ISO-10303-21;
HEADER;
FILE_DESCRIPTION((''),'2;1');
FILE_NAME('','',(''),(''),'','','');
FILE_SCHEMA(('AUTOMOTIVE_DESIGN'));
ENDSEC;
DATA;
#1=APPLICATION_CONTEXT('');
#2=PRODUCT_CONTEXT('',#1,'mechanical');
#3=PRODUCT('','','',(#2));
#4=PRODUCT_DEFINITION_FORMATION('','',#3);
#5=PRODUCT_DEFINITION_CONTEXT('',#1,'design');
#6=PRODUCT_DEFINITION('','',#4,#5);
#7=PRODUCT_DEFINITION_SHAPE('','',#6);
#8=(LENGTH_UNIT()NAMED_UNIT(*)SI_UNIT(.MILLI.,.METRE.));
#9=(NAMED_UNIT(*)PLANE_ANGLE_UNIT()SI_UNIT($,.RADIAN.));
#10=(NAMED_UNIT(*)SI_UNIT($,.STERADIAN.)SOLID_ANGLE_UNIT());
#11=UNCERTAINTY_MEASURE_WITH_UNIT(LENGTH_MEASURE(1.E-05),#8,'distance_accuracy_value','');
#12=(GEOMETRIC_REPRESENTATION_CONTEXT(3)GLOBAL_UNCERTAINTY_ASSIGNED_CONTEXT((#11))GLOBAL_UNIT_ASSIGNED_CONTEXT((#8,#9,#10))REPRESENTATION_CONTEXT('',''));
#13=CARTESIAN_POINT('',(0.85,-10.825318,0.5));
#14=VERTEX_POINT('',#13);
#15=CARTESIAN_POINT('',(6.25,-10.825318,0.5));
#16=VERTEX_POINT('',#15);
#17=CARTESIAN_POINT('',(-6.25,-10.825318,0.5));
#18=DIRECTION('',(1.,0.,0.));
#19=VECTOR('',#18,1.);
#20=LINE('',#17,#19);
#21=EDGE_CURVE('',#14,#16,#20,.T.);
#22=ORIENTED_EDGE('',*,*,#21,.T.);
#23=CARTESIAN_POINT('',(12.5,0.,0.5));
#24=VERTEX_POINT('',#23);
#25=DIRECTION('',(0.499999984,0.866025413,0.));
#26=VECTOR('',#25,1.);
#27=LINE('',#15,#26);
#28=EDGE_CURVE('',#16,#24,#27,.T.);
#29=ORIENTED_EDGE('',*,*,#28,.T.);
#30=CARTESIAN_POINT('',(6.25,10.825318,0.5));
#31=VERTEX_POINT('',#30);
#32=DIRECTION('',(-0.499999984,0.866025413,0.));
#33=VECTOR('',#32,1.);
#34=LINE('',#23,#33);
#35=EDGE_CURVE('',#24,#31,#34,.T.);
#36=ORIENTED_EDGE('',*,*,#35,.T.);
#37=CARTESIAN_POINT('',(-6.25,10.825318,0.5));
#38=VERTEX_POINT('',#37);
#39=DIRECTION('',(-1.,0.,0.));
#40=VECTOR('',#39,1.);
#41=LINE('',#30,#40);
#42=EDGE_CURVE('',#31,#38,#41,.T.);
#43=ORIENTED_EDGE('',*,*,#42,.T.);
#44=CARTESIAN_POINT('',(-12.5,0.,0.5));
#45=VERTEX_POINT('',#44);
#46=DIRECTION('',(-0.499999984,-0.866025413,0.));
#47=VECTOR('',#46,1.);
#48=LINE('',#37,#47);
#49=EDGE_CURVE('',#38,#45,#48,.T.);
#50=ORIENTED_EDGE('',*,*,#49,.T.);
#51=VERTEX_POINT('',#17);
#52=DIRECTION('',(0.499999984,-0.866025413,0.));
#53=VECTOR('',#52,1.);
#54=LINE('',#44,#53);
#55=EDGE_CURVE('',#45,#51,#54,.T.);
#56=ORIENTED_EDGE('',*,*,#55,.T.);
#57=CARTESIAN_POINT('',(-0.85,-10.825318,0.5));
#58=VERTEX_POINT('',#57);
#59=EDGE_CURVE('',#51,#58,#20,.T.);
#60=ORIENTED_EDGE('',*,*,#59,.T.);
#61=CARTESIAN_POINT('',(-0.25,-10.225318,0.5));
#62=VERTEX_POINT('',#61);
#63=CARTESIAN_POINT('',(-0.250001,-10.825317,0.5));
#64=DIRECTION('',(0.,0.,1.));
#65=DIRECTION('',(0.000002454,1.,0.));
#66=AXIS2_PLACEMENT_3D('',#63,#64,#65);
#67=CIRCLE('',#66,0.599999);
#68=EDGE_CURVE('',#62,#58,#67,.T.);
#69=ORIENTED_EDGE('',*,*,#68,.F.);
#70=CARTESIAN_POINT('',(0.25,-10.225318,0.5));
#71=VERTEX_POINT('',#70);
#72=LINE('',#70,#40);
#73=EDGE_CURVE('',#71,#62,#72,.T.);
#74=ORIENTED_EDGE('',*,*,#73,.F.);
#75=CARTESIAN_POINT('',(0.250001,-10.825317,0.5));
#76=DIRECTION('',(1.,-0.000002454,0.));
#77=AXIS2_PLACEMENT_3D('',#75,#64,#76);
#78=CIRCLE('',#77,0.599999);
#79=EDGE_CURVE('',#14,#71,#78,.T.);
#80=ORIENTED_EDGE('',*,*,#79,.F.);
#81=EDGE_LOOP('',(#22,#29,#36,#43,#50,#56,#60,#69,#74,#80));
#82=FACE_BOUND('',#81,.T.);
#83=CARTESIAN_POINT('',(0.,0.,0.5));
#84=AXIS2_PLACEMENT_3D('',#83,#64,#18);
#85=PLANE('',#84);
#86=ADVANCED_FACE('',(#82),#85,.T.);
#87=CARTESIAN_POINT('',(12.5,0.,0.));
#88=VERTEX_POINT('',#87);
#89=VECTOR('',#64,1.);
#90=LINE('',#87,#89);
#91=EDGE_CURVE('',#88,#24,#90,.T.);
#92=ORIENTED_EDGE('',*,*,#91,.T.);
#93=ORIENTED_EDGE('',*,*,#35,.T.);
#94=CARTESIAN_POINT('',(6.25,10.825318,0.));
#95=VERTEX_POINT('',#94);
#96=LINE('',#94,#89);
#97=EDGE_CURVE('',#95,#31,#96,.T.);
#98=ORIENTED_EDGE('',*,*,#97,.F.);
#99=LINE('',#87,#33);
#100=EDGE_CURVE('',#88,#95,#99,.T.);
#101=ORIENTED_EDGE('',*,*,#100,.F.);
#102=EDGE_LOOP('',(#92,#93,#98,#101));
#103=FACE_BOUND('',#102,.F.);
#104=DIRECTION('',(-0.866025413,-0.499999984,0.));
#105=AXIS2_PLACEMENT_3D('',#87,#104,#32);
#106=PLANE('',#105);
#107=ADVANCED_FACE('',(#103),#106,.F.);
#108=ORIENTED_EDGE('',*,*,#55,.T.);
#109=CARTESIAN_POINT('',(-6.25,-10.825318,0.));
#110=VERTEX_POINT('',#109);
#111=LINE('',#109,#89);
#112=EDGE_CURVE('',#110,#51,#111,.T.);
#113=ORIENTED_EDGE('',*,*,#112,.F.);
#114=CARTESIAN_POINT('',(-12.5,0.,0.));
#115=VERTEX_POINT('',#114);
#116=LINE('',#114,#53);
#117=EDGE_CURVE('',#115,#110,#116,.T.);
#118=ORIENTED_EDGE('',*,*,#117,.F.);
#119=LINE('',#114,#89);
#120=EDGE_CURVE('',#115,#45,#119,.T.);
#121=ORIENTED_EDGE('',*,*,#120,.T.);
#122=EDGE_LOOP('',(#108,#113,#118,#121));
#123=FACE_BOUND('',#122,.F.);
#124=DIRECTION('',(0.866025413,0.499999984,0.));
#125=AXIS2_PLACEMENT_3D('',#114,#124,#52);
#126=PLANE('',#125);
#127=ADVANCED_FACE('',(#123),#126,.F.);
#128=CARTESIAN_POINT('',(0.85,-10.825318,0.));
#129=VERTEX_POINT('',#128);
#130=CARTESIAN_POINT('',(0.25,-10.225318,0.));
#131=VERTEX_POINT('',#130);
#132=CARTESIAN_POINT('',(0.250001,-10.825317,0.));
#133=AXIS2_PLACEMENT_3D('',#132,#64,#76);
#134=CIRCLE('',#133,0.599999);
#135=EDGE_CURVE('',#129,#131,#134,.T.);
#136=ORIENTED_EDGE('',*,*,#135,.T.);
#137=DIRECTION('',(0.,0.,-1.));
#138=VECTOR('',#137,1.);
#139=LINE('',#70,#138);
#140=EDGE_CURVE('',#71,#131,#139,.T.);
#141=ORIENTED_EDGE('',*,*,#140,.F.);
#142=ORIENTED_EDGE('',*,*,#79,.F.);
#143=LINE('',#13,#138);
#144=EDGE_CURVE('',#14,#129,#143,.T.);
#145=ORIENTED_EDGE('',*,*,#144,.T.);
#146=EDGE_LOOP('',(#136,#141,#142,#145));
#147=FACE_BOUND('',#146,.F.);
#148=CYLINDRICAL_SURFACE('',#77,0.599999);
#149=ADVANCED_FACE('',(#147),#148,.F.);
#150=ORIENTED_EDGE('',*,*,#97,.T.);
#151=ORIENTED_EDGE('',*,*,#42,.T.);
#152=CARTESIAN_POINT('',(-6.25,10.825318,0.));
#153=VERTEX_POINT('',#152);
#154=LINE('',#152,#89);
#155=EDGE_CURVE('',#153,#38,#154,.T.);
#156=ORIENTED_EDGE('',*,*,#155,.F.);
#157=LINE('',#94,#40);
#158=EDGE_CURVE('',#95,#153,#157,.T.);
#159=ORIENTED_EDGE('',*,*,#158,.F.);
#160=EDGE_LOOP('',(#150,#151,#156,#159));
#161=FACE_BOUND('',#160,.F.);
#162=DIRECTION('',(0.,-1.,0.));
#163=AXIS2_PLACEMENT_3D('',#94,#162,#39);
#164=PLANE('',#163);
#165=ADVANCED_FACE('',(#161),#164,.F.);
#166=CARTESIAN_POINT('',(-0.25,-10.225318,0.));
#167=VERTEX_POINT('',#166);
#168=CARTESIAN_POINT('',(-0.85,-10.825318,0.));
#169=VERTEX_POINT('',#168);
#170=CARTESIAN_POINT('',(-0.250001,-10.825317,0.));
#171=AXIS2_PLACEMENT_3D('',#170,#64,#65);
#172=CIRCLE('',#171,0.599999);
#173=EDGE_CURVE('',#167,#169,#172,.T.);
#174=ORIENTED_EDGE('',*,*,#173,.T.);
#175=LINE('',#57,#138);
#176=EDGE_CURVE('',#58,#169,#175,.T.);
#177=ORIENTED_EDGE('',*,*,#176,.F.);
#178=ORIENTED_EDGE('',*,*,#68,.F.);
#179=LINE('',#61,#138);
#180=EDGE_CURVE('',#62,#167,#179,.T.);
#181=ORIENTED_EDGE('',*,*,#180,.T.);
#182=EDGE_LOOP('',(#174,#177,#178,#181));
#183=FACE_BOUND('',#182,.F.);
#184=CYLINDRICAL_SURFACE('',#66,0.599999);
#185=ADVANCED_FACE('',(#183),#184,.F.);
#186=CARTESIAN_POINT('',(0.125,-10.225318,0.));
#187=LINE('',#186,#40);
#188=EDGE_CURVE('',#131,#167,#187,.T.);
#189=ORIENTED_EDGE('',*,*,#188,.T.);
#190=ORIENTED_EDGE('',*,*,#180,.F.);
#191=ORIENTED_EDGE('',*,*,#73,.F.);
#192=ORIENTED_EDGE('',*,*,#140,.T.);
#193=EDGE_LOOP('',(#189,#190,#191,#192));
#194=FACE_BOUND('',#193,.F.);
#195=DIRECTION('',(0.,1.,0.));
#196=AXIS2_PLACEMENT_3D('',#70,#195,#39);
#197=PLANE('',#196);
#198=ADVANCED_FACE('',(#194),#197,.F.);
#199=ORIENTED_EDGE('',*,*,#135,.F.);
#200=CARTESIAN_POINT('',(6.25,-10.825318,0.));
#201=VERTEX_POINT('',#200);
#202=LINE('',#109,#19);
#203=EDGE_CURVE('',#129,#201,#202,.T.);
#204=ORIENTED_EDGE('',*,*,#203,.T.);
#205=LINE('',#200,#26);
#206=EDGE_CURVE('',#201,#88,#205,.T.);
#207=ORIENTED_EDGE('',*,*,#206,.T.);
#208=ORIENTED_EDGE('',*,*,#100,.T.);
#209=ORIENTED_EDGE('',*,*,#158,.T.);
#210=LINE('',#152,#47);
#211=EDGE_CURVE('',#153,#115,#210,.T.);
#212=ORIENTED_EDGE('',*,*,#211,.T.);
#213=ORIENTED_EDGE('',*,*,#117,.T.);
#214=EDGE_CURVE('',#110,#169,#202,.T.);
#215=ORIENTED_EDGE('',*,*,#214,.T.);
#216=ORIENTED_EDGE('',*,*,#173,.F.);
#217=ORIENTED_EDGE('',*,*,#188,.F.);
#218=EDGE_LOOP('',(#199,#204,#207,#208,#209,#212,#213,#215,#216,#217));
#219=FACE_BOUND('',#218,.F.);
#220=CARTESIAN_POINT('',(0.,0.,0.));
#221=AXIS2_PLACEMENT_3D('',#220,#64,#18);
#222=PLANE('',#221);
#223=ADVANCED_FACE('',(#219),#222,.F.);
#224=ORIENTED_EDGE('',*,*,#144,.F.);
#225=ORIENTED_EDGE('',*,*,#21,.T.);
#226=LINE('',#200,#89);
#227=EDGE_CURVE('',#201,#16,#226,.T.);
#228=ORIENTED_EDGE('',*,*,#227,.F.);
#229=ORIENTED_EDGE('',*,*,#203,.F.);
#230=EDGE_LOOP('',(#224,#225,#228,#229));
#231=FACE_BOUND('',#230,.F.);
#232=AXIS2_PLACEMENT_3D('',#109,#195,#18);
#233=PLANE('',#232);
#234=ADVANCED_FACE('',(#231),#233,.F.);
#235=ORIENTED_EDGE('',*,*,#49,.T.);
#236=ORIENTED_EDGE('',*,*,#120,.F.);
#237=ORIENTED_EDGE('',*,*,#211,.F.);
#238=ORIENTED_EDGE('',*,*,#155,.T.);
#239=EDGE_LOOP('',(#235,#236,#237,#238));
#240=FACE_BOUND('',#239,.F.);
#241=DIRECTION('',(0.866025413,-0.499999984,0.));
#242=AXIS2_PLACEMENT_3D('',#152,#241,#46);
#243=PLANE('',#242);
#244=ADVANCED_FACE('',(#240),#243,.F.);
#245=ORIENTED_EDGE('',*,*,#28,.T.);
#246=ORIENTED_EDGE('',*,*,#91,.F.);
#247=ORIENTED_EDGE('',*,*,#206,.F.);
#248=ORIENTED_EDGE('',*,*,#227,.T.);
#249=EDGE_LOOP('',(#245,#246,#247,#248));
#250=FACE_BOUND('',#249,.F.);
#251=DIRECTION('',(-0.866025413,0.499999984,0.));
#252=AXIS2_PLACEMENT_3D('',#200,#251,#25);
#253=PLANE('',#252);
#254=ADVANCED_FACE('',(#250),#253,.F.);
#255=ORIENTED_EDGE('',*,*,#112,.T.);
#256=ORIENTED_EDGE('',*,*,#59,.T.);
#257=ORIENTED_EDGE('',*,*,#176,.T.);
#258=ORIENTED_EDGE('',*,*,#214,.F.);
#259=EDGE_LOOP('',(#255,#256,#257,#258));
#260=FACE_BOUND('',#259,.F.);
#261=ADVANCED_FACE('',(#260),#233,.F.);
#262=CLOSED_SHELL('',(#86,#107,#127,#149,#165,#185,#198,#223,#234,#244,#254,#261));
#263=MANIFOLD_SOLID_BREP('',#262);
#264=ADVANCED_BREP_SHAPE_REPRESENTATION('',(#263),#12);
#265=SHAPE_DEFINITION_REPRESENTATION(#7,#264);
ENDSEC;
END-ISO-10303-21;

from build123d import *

# Parameters (mm, degrees)
F1_DEPTH = 0.5
F3_DEPTH = 0.501


with BuildPart() as f1:
    # F0 (on Top) → F1 (new body)
    with BuildSketch(Plane.XY):
        Polygon((6.25, -10.825318), (12.5, 0), (6.25, 10.825318), (-6.25, 10.825318), (-12.5, 0), (-6.25, -10.825318), align=None)
    extrude(amount=F1_DEPTH)

    # F2 (on face) → F3 (cut, through all)
    with BuildSketch(Plane.XY.offset(0.5)):
        with BuildLine():
            ThreePointArc((0.85, -10.825318), (0.674264, -10.401053), (0.25, -10.225318))
            Line((0.25, -10.225318), (-0.25, -10.225318))
            ThreePointArc((-0.25, -10.225318), (-0.674264, -10.401053), (-0.85, -10.825318))
            Line((-0.85, -10.825318), (0.85, -10.825318))
        make_face()
    extrude(amount=-F3_DEPTH, mode=Mode.SUBTRACT)


solid = f1.part
